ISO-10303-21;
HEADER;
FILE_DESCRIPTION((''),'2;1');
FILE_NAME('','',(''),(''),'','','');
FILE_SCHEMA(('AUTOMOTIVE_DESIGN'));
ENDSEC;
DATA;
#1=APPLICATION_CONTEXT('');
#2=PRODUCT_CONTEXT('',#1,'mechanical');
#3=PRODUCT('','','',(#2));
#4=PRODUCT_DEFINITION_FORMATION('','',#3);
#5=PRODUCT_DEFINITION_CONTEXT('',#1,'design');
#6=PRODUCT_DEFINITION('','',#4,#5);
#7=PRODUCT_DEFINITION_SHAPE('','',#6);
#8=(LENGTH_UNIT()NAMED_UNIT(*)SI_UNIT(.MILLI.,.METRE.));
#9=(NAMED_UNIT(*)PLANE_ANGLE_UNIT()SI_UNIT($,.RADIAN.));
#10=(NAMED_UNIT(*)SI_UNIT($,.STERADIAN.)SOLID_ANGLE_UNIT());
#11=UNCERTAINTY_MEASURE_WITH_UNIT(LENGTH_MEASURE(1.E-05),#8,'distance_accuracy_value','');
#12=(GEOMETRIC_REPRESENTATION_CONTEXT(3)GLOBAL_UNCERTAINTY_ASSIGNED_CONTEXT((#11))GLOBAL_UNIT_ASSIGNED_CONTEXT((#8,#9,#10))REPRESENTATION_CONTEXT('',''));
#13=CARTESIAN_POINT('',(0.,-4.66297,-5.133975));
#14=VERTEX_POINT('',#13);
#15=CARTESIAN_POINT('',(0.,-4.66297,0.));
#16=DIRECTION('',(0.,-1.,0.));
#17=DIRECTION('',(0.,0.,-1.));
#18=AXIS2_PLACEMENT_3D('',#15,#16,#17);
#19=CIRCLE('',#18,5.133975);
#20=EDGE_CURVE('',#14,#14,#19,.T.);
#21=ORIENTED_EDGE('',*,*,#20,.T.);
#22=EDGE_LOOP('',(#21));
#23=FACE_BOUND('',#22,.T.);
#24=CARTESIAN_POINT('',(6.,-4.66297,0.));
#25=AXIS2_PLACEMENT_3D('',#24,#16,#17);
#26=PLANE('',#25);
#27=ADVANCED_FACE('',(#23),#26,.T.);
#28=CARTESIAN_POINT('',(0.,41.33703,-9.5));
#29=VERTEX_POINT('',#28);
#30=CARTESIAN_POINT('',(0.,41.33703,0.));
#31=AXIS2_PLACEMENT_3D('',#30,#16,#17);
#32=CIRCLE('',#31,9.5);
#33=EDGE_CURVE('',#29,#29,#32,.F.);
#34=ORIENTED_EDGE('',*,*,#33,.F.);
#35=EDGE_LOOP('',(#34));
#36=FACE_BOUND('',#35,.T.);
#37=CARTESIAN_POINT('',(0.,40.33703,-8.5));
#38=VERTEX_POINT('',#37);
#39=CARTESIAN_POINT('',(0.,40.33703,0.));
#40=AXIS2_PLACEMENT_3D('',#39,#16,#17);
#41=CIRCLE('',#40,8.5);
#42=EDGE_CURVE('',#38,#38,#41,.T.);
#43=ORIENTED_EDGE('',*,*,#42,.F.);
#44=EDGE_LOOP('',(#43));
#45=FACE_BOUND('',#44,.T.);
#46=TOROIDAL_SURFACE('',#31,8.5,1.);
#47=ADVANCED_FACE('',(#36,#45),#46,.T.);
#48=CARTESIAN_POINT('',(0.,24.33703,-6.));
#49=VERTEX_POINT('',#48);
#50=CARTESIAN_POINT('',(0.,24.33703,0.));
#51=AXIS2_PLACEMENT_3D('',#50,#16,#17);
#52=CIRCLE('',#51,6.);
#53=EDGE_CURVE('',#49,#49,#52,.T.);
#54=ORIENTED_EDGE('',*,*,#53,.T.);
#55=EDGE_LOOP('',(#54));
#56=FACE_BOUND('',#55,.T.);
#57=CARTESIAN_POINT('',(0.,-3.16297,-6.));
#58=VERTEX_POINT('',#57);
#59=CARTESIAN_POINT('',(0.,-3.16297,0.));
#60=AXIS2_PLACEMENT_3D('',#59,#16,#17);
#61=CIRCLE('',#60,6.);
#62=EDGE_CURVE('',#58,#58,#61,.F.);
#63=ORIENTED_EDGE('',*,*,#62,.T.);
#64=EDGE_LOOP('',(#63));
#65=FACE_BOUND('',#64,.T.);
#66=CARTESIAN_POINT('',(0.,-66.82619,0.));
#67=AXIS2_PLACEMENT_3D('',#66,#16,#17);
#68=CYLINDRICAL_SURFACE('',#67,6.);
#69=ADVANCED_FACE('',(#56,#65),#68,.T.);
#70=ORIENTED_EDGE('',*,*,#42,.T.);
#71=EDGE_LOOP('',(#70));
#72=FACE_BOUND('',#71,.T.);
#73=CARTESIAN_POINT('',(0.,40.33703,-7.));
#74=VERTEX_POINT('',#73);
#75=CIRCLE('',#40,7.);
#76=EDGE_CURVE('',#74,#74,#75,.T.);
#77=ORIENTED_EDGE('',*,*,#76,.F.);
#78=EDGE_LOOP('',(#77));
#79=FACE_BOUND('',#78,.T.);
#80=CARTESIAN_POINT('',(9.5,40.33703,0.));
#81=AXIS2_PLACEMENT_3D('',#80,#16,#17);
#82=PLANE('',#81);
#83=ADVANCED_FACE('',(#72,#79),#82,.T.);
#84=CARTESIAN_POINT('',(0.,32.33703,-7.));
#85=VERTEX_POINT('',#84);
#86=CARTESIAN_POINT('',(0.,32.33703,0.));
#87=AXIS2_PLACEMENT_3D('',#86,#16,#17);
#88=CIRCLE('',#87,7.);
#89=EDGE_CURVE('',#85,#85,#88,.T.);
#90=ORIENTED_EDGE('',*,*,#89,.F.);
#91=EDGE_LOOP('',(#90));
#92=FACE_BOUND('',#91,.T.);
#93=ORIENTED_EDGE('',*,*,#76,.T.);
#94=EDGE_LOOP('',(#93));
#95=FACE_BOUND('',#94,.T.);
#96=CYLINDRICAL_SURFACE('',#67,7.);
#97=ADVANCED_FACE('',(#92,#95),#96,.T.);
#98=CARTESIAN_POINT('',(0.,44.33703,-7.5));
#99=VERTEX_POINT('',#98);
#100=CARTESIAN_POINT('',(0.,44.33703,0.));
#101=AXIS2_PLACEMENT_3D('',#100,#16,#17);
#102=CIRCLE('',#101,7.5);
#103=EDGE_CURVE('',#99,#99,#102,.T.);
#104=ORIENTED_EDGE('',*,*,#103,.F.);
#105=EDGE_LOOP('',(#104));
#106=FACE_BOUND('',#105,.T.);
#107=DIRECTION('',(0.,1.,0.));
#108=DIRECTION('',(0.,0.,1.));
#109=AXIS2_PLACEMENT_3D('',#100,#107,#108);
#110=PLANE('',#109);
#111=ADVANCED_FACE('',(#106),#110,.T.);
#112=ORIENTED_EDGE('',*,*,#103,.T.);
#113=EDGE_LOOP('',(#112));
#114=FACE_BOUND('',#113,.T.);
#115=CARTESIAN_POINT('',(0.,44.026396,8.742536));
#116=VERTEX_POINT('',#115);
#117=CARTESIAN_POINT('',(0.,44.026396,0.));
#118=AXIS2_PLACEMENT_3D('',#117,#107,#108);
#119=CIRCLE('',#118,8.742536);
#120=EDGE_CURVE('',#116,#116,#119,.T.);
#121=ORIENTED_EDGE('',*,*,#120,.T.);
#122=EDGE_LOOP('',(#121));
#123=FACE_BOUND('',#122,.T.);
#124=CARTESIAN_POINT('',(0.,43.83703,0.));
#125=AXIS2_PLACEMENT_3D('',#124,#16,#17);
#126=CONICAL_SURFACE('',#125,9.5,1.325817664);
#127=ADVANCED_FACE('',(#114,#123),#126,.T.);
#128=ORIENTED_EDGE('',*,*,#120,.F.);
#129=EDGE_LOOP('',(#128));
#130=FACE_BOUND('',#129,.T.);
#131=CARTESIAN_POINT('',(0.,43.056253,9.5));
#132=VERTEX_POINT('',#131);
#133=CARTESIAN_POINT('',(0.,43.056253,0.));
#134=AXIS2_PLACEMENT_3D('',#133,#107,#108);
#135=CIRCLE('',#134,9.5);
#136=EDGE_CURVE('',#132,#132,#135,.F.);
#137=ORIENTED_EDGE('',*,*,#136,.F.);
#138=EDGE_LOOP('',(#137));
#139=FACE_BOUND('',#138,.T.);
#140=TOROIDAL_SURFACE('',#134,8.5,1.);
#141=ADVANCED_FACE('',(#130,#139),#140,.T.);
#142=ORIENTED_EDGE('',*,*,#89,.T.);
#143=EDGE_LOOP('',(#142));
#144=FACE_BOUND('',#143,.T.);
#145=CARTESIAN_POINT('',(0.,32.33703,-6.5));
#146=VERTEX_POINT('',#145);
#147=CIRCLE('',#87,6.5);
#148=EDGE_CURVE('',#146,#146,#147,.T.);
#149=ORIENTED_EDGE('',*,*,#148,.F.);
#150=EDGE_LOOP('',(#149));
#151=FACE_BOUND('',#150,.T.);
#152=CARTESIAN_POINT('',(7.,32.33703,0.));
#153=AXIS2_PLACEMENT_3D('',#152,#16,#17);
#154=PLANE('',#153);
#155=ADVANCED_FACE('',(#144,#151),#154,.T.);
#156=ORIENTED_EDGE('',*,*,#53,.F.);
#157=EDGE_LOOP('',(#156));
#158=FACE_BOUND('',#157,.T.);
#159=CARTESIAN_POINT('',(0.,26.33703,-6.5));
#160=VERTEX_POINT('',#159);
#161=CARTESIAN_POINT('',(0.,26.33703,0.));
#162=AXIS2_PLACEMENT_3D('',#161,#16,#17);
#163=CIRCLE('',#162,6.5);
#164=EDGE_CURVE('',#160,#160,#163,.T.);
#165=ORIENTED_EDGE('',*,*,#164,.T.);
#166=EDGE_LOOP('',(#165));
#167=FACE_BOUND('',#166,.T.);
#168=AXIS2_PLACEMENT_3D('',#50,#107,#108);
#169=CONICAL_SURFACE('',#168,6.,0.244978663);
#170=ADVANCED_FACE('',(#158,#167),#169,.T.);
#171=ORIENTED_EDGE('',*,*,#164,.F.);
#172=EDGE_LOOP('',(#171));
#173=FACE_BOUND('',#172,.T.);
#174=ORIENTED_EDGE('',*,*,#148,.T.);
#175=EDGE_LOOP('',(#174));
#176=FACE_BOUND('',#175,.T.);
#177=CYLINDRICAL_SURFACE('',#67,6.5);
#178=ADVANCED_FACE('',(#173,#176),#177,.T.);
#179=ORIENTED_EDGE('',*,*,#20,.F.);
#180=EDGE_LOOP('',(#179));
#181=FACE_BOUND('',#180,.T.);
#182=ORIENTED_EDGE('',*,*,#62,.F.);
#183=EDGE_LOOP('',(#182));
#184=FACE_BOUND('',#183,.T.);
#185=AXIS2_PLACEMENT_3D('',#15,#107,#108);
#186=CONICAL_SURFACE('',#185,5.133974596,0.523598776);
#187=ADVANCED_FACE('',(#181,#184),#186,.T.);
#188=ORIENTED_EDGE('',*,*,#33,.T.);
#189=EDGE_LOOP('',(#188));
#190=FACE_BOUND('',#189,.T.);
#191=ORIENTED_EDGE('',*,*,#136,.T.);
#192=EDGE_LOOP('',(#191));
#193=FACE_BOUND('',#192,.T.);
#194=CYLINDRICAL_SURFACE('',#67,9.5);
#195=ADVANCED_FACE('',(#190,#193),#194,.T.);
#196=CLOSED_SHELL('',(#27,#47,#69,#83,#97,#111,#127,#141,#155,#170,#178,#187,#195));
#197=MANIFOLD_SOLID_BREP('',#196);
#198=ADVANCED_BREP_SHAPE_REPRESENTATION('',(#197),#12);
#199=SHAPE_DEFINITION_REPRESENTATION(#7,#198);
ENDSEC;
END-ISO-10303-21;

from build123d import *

# Parameters (mm, degrees)
FILETE1_R      = 1
FILETE2_R      = 1
CHANFRO1_SIZE  = 1.5
CHANFRO1_SIZE2 = 0.866025404


with BuildPart() as part:
    # Esboço1 → Revolução1 (revolve)
    with BuildSketch(Plane.XY, mode=Mode.PRIVATE) as revolu_o1_sk:
        Polygon((0, 44.337029737), (7.5, 44.337029737), (9.5, 43.837029737), (9.5, 40.337029737), (7, 40.337029737), (7, 32.337029737), (6.5, 32.337029737), (6.5, 26.337029737), (6, 24.337029737), (6, -4.662970263), (0, -4.662970263), align=None)
    revolve(revolu_o1_sk.sketch.rotate(Axis((0, -66.826190476, 0), (0, 1, 0)), 90), axis=Axis((0, -66.826190476, 0), (0, 1, 0)))

    # Filete1
    filete1_edges = [part.edges().sort_by_distance(p)[0] for p in [
        (0, 43.837029737, 9.5),
    ]]
    fillet(filete1_edges, radius=FILETE1_R)

    # Filete2
    filete2_edges = [part.edges().sort_by_distance(p)[0] for p in [
        (0, 40.337029737, 9.5),
    ]]
    fillet(filete2_edges, radius=FILETE2_R)

    # Chanfro1
    chanfro1_edges = [part.edges().sort_by_distance(p)[0] for p in [
        (0, -4.662970263, 6),
    ]]
    chanfro1_side = [part.faces().sort_by_distance(p)[0] for p in [
        (0, 9.837029737, 6),
    ]]
    chamfer(chanfro1_edges, length=CHANFRO1_SIZE, length2=CHANFRO1_SIZE2, reference=chanfro1_side[0])


solid = part.part
